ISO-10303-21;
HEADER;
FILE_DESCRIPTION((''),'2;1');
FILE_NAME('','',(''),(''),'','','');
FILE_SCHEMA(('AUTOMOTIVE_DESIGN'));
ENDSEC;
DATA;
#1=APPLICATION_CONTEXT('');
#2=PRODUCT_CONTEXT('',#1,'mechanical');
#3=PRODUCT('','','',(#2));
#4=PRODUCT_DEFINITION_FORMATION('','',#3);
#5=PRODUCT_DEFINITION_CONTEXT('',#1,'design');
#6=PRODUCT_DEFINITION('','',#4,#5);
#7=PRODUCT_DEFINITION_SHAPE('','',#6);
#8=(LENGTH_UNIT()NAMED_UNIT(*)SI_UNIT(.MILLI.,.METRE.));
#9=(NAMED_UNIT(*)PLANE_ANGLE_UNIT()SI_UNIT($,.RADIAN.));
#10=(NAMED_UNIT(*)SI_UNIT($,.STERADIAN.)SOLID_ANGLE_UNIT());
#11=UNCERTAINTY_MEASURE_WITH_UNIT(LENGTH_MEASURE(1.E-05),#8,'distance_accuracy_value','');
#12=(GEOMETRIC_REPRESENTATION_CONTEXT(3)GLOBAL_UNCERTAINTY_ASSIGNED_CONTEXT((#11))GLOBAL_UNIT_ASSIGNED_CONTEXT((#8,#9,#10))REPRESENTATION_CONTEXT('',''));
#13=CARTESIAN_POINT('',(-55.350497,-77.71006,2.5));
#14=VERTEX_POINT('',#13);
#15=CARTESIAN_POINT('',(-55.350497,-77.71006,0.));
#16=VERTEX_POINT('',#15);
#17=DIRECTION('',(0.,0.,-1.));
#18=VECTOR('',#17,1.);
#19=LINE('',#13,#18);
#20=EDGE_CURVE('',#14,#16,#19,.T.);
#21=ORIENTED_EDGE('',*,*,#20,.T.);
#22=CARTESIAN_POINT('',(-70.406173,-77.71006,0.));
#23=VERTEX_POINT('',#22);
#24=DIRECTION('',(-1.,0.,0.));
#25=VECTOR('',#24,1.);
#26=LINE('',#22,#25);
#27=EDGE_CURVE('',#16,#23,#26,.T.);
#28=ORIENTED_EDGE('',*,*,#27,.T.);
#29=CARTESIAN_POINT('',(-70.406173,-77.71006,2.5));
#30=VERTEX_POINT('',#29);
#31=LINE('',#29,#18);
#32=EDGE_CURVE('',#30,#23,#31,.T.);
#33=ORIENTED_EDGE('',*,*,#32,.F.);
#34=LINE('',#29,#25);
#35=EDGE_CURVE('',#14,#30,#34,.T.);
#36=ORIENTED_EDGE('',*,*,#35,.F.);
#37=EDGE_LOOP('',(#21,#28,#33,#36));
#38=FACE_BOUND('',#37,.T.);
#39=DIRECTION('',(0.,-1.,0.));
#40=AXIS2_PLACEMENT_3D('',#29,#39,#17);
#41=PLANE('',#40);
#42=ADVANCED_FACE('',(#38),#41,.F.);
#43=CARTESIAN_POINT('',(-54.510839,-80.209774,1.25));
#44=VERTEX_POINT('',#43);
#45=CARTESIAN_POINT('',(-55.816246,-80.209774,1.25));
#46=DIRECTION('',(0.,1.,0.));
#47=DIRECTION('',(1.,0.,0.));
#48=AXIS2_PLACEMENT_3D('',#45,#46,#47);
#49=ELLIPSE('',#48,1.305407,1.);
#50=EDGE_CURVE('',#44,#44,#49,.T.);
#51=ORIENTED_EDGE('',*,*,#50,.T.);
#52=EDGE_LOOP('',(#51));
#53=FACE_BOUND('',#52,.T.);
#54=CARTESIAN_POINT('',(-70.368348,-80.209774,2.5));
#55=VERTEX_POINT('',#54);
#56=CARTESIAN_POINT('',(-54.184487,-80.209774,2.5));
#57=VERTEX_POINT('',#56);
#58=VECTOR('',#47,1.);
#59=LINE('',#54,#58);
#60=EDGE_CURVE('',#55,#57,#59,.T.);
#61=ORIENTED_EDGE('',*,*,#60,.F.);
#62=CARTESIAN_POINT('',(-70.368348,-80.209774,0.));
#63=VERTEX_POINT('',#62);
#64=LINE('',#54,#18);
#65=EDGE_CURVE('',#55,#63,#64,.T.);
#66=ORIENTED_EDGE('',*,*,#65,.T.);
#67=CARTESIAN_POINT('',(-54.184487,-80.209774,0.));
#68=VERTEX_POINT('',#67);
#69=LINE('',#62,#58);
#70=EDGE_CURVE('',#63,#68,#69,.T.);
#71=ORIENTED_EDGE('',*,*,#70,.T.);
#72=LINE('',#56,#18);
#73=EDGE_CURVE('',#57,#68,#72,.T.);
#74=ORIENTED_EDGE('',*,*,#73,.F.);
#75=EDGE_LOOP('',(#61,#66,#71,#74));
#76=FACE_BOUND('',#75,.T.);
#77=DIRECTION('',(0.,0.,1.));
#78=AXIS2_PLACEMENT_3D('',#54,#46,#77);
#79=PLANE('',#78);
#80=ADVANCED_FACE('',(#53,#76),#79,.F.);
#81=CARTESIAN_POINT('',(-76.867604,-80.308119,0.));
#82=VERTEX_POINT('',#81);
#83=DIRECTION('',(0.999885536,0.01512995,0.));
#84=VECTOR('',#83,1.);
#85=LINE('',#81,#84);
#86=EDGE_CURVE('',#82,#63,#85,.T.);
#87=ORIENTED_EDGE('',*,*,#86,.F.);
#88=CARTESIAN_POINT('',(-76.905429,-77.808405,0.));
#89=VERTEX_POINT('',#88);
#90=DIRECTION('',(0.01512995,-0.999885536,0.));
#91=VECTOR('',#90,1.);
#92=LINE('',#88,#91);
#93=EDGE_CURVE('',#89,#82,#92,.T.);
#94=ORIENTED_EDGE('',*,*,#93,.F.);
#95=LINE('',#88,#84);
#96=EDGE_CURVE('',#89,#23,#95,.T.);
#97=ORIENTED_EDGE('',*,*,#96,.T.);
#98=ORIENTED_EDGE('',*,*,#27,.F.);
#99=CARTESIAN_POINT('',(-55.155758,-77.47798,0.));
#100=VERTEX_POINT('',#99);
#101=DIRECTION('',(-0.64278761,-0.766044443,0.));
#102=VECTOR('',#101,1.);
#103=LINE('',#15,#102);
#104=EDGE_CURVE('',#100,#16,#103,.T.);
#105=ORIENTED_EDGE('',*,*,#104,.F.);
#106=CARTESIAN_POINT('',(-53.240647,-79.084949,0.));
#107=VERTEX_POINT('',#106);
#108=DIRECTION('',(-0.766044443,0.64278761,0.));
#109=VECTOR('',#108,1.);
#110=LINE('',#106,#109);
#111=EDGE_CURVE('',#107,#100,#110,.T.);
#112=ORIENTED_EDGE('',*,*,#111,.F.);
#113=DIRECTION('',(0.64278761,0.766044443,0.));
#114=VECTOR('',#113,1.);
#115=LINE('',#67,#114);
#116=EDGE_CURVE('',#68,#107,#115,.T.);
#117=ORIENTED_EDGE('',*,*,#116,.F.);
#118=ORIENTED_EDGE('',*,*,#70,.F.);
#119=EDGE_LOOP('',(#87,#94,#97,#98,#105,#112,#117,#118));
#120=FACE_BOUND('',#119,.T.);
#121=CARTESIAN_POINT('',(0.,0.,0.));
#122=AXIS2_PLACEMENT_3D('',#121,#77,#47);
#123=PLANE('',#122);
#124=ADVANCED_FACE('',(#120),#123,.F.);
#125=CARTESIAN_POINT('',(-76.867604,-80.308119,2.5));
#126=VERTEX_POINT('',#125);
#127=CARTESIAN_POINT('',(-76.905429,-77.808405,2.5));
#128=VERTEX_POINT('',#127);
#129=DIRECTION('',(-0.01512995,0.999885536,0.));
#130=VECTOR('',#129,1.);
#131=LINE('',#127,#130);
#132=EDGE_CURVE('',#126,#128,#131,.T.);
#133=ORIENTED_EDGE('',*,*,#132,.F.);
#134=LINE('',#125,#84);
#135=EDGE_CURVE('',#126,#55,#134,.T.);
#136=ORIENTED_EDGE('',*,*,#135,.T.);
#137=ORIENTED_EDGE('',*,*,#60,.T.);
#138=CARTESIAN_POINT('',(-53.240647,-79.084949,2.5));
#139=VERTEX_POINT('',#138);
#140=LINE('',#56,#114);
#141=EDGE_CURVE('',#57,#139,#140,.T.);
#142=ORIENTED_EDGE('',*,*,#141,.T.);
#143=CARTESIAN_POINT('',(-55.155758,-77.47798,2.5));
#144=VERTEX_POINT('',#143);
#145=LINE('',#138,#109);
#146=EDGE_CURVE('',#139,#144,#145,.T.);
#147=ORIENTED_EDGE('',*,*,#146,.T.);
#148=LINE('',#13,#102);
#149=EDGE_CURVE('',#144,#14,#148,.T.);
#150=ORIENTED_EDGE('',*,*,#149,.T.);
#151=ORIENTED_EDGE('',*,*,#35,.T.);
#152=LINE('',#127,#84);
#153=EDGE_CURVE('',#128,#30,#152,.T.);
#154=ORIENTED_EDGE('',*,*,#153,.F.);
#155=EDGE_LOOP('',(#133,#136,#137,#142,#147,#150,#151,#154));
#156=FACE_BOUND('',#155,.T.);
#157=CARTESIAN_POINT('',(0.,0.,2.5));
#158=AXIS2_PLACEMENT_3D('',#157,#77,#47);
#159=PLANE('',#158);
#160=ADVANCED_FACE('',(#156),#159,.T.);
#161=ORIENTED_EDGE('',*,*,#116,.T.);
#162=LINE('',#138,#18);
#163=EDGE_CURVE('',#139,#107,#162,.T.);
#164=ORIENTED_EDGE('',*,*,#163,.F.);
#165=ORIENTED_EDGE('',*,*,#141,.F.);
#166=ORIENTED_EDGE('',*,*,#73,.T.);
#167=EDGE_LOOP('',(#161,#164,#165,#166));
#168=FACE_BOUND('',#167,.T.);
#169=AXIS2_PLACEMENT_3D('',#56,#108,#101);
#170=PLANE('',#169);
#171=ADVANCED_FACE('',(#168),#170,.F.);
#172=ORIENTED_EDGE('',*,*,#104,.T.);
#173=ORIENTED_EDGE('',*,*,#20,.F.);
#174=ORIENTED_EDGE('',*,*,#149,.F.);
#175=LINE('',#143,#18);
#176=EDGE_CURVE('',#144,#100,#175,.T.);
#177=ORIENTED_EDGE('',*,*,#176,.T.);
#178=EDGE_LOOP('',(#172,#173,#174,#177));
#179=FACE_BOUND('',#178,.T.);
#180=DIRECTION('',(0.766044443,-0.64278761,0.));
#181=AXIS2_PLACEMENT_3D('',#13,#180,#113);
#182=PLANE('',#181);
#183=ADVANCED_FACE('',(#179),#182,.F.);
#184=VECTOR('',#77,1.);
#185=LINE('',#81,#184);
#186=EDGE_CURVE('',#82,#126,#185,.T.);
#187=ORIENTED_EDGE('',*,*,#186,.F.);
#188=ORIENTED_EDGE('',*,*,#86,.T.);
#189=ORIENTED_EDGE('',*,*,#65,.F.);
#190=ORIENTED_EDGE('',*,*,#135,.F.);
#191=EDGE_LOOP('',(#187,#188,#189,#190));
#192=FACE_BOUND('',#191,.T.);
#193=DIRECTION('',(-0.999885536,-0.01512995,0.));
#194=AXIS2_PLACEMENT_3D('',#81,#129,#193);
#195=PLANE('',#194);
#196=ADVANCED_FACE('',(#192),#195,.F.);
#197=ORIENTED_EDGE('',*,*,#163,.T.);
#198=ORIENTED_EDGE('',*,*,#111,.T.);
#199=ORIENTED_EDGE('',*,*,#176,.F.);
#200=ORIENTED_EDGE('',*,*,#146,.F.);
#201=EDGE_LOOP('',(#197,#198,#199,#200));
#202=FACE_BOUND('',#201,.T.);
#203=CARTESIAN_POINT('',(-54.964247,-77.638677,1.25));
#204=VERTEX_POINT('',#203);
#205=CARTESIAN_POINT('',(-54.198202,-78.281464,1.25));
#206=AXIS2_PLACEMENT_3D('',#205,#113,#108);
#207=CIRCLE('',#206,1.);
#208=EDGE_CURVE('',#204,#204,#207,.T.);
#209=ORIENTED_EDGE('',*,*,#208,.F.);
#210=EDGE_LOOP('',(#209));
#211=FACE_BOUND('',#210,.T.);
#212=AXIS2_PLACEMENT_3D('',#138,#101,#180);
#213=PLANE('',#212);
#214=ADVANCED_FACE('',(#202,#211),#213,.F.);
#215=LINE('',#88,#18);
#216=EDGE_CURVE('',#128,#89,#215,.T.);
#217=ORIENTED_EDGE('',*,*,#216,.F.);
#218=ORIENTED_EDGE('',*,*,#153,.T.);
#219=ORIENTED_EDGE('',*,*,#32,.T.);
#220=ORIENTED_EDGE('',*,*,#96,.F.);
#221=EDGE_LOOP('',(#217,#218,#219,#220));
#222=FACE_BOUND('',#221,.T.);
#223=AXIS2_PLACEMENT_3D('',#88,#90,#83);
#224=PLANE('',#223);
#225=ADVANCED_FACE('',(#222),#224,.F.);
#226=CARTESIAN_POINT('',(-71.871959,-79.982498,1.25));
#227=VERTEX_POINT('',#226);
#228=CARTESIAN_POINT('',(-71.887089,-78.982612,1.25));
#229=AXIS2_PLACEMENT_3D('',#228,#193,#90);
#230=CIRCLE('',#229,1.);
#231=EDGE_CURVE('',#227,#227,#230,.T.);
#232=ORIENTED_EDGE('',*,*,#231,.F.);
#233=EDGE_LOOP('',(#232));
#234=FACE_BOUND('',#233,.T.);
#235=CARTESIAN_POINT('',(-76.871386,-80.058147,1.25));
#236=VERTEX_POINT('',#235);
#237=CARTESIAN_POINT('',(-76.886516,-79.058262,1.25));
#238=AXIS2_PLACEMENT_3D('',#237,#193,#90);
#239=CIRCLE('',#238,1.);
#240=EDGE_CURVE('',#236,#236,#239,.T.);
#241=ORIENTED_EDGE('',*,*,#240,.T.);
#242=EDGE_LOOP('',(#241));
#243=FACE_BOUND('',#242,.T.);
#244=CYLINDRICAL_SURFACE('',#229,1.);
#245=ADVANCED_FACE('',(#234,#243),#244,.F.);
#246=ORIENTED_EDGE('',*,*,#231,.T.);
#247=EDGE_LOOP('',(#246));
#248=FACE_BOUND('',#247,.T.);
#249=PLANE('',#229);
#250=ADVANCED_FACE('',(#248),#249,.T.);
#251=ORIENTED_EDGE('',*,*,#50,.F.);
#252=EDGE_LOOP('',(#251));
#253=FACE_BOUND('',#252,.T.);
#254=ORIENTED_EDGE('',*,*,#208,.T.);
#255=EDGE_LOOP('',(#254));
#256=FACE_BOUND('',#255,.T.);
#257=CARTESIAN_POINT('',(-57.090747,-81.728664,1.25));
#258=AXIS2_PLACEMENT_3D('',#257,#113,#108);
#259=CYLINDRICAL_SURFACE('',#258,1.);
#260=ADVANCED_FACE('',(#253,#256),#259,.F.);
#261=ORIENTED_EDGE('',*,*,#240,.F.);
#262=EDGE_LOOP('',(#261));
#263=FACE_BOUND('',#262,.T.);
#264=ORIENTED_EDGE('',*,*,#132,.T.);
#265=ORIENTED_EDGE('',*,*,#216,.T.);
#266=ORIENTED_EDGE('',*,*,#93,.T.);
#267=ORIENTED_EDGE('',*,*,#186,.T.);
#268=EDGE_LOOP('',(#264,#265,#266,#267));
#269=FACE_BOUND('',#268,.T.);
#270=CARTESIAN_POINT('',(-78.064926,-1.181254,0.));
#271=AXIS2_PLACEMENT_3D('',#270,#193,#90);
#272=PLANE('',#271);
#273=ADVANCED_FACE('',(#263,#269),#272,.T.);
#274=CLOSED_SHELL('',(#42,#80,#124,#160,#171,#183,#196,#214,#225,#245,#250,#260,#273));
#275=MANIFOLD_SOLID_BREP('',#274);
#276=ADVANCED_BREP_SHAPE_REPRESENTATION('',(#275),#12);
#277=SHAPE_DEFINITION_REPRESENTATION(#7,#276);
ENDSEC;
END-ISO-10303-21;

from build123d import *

# Parameters (mm, degrees)
BOSS_EXTRUDE1_DEPTH = 2.5
SKETCH2_R           = 1
CUT_EXTRUDE1_DEPTH  = 4.5
SKETCH3_R           = 1
CUT_EXTRUDE2_DEPTH  = 9.5
SKETCH5_R           = 1
BOSS_EXTRUDE2_DEPTH = 9.5
SKETCH7_W           = 2.5
SKETCH7_H           = 2.48697386
BOSS_EXTRUDE5_DEPTH = 17
SKETCH8_R           = 1
CUT_EXTRUDE3_DEPTH  = 9.5
SKETCH9_W           = 2.5
SKETCH9_H           = 2.510853282
CUT_EXTRUDE4_DEPTH  = 10.5
SKETCH10_R          = 1
CUT_EXTRUDE5_DEPTH  = 4.5
SKETCH11_R          = 1
BOSS_EXTRUDE6_DEPTH = 4.5
SKETCH12_R          = 1
CUT_EXTRUDE6_DEPTH  = 4
SKETCH13_W          = 2.5
SKETCH13_H          = 2.5
CUT_EXTRUDE7_DEPTH  = 6.5
SKETCH14_W          = 2.5
SKETCH14_H          = 2.5
BOSS_EXTRUDE7_DEPTH = 6.5
SKETCH15_R          = 1
CUT_EXTRUDE8_DEPTH  = 5


with BuildPart() as part:
    # Sketch1 → Boss-Extrude1 (new body)
    with BuildSketch(Plane.XY):
        Polygon((-70.406172668, -77.710060133), (-55.350496572, -77.710060133), (-55.155758053, -77.477979804), (-53.240646945, -79.084948828), (-54.184487309, -80.209773972), (-70.368347793, -80.209773972), align=None)
    extrude(amount=BOSS_EXTRUDE1_DEPTH)

    # Sketch2 → Cut-Extrude1 (cut)
    with BuildSketch(Plane(origin=(-60.939488189, -72.62485398, 0), x_dir=(0, 0, -1), z_dir=(0.6427876096865354, 0.7660444431189815, 0))):
        with Locations(Location((-1.25, -8.800123479, 0), (0, 0, 90))):
            Circle(SKETCH2_R)
    extrude(amount=-CUT_EXTRUDE1_DEPTH, mode=Mode.SUBTRACT)

    # Sketch3 → Cut-Extrude2 (cut)
    with BuildSketch(Plane(origin=(-71.565670343, -1.082908957, 0), x_dir=(0, 0, 1), z_dir=(-0.9998855357578962, -0.015129949839474955, 0))):
        with Locations(Location((1.25, -77.885923249, 0), (0, 0, 270))):
            Circle(SKETCH3_R)
    extrude(amount=-CUT_EXTRUDE2_DEPTH, mode=Mode.SUBTRACT)

    # Sketch5 → Boss-Extrude2 (add)
    with BuildSketch(Plane(origin=(-71.565670343, -1.082908957, 0), x_dir=(0, 0, 1), z_dir=(-0.9998855357578961, -0.015129949839476386, 0))):
        with Locations((1.25, -77.885923249)):
            Circle(SKETCH5_R)
    extrude(amount=-BOSS_EXTRUDE2_DEPTH)

    # Sketch7 → Boss-Extrude5 (add)
    with BuildSketch(Plane(origin=(-71.565670343, -1.082908957, 0), x_dir=(0, 0, 1), z_dir=(-0.9998855357578961, -0.015129949839476386, 0))):
        with Locations((1.25, -77.879410179)):
            Rectangle(SKETCH7_W, SKETCH7_H)
    extrude(amount=BOSS_EXTRUDE5_DEPTH)

    # Sketch8 → Cut-Extrude3 (cut)
    with BuildSketch(Plane(origin=(-88.56372445, -1.340118104, 0), x_dir=(0, 0, 1), z_dir=(-0.9998855357578962, -0.015129949839480206, 0))):
        with Locations(Location((1.25, -77.885923249, 0), (0, 0, 270))):
            Circle(SKETCH8_R)
    extrude(amount=-CUT_EXTRUDE3_DEPTH, mode=Mode.SUBTRACT)

    # Sketch9 → Cut-Extrude4 (cut)
    with BuildSketch(Plane(origin=(-88.56372445, -1.340118104, 0), x_dir=(0, 0, 1), z_dir=(-0.9998855357578962, -0.015129949839480206, 0))):
        with Locations((1.25, -77.89134989)):
            Rectangle(SKETCH9_W, SKETCH9_H)
    extrude(amount=-CUT_EXTRUDE4_DEPTH, mode=Mode.SUBTRACT)

    # Sketch10 → Cut-Extrude5 (cut)
    with BuildSketch(Plane(origin=(-78.064926325, -1.181253631, 0), x_dir=(0, 0, 1), z_dir=(-0.9998855357578961, -0.015129949839478678, 0))):
        with Locations(Location((1.25, -77.885923249, 0), (0, 0, 270))):
            Circle(SKETCH10_R)
    extrude(amount=-CUT_EXTRUDE5_DEPTH, mode=Mode.SUBTRACT)

    # Sketch11 → Boss-Extrude6 (add)
    with BuildSketch(Plane(origin=(-78.064926325, -1.181253631, 0), x_dir=(0, 0, 1), z_dir=(-0.9998855357578961, -0.015129949839478678, 0))):
        with Locations((1.25, -77.885923249)):
            Circle(SKETCH11_R)
    extrude(amount=-BOSS_EXTRUDE6_DEPTH)

    # Sketch12 → Cut-Extrude6 (cut)
    with BuildSketch(Plane(origin=(-78.064926325, -1.181253631, 0), x_dir=(0, 0, 1), z_dir=(-0.9998855357578961, -0.015129949839478678, 0))):
        with Locations(Location((1.25, -77.885923249, 0), (0, 0, 270))):
            Circle(SKETCH12_R)
    extrude(amount=-CUT_EXTRUDE6_DEPTH, mode=Mode.SUBTRACT)

    # Sketch13 → Cut-Extrude7 (cut)
    with BuildSketch(Plane(origin=(-78.064926325, -1.181253631, 0), x_dir=(0, 0, 1), z_dir=(-0.9998855357578961, -0.015129949839478678, 0))):
        with Locations((1.25, -77.885923249)):
            Rectangle(SKETCH13_W, SKETCH13_H)
    extrude(amount=-CUT_EXTRUDE7_DEPTH, mode=Mode.SUBTRACT)

    # Sketch14 → Boss-Extrude7 (add)
    with BuildSketch(Plane(origin=(-71.565670343, -1.082908957, 0), x_dir=(0, 0, 1), z_dir=(-0.9998855357578961, -0.015129949839476386, 0))):
        with Locations((1.25, -77.885923249)):
            Rectangle(SKETCH14_W, SKETCH14_H)
    extrude(amount=BOSS_EXTRUDE7_DEPTH)

    # Sketch15 → Cut-Extrude8 (cut)
    with BuildSketch(Plane(origin=(-78.064926325, -1.181253631, 0), x_dir=(0, 0, 1), z_dir=(-0.9998855357578961, -0.01512994983947622, 0))):
        with Locations(Location((1.25, -77.885923249, 0), (0, 0, 270))):
            Circle(SKETCH15_R)
    extrude(amount=-CUT_EXTRUDE8_DEPTH, mode=Mode.SUBTRACT)


solid = part.part
